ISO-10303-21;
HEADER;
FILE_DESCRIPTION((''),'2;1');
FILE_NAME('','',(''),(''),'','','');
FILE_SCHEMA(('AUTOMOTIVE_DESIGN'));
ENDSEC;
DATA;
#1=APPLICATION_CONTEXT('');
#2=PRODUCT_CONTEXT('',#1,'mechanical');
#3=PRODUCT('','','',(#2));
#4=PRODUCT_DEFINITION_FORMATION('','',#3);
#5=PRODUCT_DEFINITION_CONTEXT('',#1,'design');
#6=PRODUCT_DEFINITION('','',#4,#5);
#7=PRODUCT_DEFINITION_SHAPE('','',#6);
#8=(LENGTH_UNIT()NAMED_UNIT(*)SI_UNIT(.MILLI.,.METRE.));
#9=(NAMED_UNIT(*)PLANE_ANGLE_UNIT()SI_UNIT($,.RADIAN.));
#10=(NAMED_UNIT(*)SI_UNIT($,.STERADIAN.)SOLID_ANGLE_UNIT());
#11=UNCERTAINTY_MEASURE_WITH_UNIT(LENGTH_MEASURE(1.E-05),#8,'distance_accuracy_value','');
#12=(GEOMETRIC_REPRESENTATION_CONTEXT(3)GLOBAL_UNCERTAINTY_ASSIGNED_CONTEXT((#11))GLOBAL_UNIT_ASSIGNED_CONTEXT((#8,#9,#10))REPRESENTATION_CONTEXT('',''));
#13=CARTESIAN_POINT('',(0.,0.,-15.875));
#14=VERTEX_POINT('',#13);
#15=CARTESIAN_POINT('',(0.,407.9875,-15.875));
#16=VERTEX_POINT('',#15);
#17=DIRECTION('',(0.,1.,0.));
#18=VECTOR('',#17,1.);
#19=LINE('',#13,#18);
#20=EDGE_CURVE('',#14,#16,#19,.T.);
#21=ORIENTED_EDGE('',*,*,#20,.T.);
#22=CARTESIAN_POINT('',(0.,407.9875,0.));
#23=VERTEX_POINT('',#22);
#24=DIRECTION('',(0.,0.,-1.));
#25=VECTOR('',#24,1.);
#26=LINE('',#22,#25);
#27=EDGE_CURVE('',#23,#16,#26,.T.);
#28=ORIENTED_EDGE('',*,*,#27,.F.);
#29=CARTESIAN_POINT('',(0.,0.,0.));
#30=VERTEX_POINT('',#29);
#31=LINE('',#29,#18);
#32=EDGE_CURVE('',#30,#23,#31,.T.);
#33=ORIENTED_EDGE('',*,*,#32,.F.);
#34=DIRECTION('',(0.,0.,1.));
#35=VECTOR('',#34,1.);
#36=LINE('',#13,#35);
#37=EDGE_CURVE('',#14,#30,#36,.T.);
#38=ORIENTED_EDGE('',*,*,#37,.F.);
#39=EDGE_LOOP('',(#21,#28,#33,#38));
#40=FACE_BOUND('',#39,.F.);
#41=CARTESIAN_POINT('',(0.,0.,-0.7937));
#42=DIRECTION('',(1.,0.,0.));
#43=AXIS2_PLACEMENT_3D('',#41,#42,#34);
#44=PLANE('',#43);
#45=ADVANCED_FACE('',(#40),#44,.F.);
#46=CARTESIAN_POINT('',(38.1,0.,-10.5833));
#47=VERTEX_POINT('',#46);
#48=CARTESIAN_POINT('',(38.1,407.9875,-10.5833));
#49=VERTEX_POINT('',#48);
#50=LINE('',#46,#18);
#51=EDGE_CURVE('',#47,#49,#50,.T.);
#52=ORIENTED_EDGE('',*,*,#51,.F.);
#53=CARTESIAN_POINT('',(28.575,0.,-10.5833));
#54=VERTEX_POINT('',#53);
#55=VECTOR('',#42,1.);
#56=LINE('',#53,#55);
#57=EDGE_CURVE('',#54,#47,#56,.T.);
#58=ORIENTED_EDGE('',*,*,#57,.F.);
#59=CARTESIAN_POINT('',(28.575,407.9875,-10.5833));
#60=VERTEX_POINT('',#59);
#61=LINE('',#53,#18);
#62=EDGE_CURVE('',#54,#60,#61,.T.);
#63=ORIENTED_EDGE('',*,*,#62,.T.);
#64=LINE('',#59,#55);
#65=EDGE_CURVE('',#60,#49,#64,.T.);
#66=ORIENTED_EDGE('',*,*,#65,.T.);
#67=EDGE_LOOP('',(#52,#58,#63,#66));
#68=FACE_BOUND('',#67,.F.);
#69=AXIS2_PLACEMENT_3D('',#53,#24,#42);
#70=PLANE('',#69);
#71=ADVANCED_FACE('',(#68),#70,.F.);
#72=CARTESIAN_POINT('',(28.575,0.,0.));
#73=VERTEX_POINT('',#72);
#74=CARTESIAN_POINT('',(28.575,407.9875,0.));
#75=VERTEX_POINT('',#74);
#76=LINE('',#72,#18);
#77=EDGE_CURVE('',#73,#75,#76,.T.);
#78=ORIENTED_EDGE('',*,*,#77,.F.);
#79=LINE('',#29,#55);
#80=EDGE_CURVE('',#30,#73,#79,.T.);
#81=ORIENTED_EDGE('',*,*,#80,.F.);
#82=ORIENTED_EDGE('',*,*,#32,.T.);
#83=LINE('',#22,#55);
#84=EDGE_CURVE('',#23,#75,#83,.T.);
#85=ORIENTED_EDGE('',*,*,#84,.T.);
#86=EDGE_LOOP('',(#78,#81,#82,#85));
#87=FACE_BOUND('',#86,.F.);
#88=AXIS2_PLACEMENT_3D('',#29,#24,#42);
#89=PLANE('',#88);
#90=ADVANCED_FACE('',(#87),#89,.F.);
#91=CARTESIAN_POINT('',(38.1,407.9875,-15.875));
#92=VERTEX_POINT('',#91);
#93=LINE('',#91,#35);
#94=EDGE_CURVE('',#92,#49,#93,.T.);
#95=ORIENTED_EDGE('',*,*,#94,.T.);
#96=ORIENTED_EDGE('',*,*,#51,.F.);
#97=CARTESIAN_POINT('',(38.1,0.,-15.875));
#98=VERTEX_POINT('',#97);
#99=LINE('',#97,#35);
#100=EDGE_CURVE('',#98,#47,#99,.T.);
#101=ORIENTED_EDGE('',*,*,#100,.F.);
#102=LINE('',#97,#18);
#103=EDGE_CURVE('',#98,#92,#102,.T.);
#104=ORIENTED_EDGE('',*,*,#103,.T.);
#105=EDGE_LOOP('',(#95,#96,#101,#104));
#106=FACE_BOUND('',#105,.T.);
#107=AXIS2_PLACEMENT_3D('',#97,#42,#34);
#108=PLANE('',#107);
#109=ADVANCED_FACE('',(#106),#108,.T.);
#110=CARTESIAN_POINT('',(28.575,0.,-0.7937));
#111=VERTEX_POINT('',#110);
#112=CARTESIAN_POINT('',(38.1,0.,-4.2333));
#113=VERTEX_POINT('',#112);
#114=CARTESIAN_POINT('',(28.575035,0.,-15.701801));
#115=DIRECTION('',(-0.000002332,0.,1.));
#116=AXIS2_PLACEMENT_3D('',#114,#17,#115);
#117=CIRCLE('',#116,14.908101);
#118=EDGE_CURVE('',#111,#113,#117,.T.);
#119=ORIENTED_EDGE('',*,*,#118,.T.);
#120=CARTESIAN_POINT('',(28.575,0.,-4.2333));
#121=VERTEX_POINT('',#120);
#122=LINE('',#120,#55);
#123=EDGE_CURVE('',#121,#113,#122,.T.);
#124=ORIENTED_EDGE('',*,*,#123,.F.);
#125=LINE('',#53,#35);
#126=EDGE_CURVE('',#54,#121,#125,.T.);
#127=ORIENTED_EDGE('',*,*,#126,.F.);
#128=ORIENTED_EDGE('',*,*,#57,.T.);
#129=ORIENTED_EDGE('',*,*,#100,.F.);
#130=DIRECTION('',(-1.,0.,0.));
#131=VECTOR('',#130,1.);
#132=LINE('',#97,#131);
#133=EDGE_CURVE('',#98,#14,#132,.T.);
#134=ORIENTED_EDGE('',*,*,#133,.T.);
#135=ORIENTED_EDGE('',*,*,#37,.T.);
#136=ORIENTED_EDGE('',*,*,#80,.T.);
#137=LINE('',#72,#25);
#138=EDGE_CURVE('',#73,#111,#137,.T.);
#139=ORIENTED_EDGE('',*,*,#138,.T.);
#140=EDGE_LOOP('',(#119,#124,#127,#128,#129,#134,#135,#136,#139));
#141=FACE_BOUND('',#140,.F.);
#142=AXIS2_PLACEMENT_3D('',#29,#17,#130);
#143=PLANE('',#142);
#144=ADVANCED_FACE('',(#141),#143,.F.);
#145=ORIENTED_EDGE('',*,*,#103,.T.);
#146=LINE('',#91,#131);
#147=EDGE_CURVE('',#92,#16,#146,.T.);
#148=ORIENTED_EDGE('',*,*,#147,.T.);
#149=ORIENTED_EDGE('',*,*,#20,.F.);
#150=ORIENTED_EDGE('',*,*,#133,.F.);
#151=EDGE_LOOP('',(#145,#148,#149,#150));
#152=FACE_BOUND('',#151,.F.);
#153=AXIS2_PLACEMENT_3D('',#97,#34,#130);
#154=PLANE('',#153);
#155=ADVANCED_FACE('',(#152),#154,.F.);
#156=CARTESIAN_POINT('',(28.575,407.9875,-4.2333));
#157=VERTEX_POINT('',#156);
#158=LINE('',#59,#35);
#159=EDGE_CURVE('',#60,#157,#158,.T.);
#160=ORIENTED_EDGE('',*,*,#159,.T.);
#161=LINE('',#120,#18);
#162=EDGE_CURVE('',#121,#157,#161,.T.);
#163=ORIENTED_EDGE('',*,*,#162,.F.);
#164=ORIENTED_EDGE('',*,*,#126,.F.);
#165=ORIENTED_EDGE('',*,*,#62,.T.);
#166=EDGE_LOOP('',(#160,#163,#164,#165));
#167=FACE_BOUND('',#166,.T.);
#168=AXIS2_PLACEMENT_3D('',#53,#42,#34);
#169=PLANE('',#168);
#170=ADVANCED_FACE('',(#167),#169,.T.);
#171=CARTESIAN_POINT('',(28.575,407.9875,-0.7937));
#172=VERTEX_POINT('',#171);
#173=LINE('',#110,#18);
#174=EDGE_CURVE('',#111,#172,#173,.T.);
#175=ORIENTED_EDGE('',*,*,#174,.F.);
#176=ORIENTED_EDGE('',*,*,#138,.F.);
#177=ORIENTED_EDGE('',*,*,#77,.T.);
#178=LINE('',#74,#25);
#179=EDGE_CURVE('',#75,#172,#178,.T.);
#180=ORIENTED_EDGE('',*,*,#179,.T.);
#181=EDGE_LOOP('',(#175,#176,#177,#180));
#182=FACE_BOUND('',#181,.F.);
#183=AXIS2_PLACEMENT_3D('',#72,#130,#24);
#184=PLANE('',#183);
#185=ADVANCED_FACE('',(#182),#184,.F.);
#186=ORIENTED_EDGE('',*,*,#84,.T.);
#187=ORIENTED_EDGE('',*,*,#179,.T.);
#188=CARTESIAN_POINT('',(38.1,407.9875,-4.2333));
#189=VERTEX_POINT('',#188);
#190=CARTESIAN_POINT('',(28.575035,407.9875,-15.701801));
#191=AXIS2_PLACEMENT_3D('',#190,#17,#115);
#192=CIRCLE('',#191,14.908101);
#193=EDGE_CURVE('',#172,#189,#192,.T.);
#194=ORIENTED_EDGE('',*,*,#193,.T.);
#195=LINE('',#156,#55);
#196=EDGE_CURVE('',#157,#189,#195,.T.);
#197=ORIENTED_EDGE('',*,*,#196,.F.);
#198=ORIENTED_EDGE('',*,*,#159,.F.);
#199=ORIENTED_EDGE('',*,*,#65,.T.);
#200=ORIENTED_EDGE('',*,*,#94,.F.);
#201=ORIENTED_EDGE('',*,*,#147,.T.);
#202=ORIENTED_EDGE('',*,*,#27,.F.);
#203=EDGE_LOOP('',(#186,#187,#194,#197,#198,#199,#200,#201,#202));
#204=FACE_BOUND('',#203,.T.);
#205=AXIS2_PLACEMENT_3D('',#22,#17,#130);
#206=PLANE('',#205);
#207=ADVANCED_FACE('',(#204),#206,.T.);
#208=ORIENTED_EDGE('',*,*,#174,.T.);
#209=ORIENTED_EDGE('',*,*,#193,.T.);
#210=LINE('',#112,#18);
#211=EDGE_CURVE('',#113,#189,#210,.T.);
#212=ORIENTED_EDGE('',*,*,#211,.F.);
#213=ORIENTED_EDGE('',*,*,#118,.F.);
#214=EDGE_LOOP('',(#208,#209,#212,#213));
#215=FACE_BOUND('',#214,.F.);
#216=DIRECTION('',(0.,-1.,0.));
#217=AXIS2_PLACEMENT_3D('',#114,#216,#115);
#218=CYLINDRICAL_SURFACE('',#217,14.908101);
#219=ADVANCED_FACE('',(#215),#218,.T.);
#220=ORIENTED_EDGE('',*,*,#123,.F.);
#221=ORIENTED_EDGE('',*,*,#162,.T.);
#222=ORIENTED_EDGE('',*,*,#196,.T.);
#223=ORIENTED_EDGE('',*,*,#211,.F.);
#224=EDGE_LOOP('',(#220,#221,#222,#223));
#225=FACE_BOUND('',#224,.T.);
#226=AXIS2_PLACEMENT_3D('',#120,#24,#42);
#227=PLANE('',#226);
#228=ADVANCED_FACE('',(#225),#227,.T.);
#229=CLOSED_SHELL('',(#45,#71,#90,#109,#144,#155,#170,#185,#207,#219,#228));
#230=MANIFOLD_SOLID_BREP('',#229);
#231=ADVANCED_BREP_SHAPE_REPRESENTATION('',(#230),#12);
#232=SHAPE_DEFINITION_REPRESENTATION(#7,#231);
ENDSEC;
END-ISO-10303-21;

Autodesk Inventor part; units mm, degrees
ref_plane "YZ Plane" through (0, 0, 0) normal (1, 0, 0) x (0, 1, 0)
ref_plane "XZ Plane" through (0, 0, 0) normal (0, 1, 0) x (-1, 0, 0)
ref_plane "XY Plane" through (0, 0, 0) normal (0, 0, 1) x (1, 0, 0)
sketch "Sketch1" plane through (0, 0, 0) normal (0, 1, 0) x (-1, 0, 0)
  line L0 (0, 0) -> (-32.8112, 0)
  line L1 (-38.1, -15.875) -> (0, -15.875)
  line L2 (0, -15.875) -> (0, 0)
  line L3 (0, -15.875) -> (-38.1, -15.875)
  line L4 (-38.1, -15.875) -> (-38.1, -10.5833)
  line L5 (0, -17.5053) -> (0, -15.875)
  line L6 (-28.575, -10.5833) -> (-28.575, -4.2333)
  line L7 (0, -12.2137) -> (0, -17.5053)
  line L8 (-28.575, -4.2333) -> (-38.1, -4.2333)
  line L9 (-38.1, -10.5833) -> (-38.1, -15.875)
  line L10 (-28.575, -10.5833) -> (-38.1, -10.5833)
  line L11 (0, 0) -> (-28.575, 0)
  line L12 (-28.575, 0) -> (-28.575, -0.7937)
  line L13 (-28.575, -0.7937) -> (0, -0.7937)
  line L14 (0, -0.7937) -> (0, 0)
  arc A0 (-28.575, -0.7937) -> (-38.1, -4.2333) centre (-28.575, -15.702) ccw
  dimension "d0" = 38.1
  dimension "d5" = 9.525
  dimension "d6" = 0.7937
  dimension "d10" = 9.525
  dimension "d11" = 28.575
  dimension "d13" = 15.875
  dimension "d14" = 14.9083
  dimension "d15" = 6.35
extrude "Extrusion1" add sketch "Sketch1" along normal blind 407.9875
sketch "Sketch2" plane through (0, 0, -15.875) normal (-1, 0, 0) x (0, 0, 1)
  line L0 (15.875, 0) -> (0, 0)
  line L1 (0, 0) -> (0, 38.1)
  line L2 (0, 38.1) -> (5.2897, 38.1)
  line L3 (5.2897, 28.575) -> (11.6397, 28.575)
  line L4 (11.6397, 28.575) -> (11.6397, 38.1)
  line L5 (5.2897, 28.575) -> (5.2897, 38.1)
  line L6 (15.875, 28.575) -> (15.0538, 28.575)
  line L7 (15.875, 0) -> (15.875, 28.575)
  arc A0 (15.0538, 28.575) -> (11.6397, 38.1) centre (0.1441, 28.6051) ccw
  line L8 (0, 407.9875) -> (0, 369.8875)
  line L9 (0, 369.8875) -> (5.3061, 369.8875)
  line L10 (5.3061, 369.8875) -> (5.3061, 379.4125)
  line L11 (5.3061, 379.4125) -> (11.6561, 379.4125)
  line L12 (11.6561, 379.4125) -> (11.6561, 369.8875)
  line L13 (15.0538, 379.4125) -> (15.875, 379.4125)
  line L14 (0, 407.9875) -> (15.875, 407.9875) projected
  line L15 (15.875, 379.4125) -> (15.875, 407.9875)
  line L16 (0, 407.9875) -> (15.875, 407.9875)
  arc A1 (11.6561, 369.8875) -> (15.0538, 379.4125) centre (0.1441, 379.3625) ccw
  dimension "d17" = 38.1
  dimension "d18" = 9.525
  dimension "d19" = 6.35
  dimension "d21" = 14.9098
  dimension "d22" = 14.9098
extrude "Extrusion2" [suppressed]
equation "\"d5\" = d10"
properties part number "Cabinet Moulding Long" material "Wood (Oak)"
